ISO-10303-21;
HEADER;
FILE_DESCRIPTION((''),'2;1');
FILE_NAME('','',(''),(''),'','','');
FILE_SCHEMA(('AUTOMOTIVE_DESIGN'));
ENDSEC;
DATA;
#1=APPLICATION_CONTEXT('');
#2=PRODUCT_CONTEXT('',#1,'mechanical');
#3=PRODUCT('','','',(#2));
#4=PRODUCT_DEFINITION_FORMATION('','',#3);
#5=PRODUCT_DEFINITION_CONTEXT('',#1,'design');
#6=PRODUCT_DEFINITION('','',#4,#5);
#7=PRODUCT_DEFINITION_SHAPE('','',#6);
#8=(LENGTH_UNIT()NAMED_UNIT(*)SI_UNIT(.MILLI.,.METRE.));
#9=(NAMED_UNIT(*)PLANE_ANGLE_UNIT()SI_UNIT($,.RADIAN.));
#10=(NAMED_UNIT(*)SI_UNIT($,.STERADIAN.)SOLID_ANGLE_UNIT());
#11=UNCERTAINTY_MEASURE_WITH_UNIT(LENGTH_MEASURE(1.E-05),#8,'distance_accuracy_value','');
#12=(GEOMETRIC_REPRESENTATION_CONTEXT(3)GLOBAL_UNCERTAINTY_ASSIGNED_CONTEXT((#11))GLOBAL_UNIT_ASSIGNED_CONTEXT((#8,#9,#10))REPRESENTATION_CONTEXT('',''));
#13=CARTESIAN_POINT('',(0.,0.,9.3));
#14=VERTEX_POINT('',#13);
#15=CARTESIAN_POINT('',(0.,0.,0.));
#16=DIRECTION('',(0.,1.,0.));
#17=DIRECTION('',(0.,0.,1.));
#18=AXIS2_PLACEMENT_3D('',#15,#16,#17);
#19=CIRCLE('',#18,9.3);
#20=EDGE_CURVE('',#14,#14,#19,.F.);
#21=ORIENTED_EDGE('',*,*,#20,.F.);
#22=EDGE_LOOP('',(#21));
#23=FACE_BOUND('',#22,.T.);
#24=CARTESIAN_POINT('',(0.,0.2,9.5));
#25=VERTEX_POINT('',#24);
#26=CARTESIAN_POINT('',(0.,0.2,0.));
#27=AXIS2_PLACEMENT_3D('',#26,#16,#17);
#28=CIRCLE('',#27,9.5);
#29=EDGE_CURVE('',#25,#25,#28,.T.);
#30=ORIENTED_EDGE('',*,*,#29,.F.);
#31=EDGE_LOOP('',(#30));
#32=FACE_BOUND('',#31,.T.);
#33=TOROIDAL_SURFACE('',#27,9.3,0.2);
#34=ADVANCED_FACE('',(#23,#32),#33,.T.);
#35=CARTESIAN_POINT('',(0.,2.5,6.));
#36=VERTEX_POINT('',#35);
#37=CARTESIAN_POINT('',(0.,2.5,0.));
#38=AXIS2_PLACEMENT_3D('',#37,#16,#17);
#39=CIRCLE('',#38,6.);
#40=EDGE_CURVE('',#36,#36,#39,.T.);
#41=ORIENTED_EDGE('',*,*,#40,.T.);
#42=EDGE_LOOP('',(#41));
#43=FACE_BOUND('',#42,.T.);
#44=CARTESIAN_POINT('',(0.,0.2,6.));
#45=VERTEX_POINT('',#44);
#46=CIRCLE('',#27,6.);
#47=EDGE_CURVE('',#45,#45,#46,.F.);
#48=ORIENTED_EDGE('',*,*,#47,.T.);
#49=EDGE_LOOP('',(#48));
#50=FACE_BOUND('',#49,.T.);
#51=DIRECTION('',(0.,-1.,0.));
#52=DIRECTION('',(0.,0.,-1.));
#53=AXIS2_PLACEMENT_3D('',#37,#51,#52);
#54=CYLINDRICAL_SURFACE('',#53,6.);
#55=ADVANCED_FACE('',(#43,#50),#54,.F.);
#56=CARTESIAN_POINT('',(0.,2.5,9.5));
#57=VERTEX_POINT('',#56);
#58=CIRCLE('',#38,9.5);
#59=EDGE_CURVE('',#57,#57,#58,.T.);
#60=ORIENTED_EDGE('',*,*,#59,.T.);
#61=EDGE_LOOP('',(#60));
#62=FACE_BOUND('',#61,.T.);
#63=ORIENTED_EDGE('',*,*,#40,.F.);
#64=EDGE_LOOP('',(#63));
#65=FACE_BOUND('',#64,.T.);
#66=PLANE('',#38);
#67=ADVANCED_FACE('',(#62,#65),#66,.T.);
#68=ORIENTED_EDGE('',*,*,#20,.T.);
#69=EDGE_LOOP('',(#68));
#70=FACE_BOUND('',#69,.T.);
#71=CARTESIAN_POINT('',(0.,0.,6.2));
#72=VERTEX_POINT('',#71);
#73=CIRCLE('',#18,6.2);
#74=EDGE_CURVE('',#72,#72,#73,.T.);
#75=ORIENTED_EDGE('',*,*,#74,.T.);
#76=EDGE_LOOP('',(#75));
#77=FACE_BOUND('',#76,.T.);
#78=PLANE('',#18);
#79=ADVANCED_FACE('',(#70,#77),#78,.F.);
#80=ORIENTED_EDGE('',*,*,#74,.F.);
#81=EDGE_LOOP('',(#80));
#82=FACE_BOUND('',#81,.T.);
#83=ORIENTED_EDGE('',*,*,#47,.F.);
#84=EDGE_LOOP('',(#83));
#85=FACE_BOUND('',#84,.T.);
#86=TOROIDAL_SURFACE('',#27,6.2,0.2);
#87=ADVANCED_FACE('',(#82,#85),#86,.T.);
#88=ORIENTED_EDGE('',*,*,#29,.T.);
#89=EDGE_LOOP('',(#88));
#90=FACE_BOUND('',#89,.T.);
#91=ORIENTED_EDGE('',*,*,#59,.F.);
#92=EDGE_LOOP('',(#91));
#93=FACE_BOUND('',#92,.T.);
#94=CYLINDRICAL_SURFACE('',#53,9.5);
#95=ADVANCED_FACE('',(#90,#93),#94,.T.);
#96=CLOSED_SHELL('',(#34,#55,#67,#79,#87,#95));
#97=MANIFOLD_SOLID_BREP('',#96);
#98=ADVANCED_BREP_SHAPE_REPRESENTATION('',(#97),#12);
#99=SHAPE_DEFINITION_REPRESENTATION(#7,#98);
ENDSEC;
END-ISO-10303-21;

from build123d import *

# Parameters (mm, degrees)
SKETCH1_R           = 9.5
SKETCH1_R_2         = 6
BOSS_EXTRUDE1_DEPTH = 2.5
FILLET1_R           = 0.2


with BuildPart() as part:
    # Sketch1 → Boss-Extrude1 (new body)
    with BuildSketch(Plane(origin=(0, 0, 0), x_dir=(1, 0, 0), z_dir=(0, 1, 0))):
        Circle(SKETCH1_R)
        Circle(SKETCH1_R_2, mode=Mode.SUBTRACT)
    extrude(amount=BOSS_EXTRUDE1_DEPTH)

    # Fillet1
    fillet1_edges = [part.edges().sort_by_distance(p)[0] for p in [
        (-9.5, 0, 0),
        (-6, 0, 0),
    ]]
    fillet(fillet1_edges, radius=FILLET1_R)


solid = part.part
